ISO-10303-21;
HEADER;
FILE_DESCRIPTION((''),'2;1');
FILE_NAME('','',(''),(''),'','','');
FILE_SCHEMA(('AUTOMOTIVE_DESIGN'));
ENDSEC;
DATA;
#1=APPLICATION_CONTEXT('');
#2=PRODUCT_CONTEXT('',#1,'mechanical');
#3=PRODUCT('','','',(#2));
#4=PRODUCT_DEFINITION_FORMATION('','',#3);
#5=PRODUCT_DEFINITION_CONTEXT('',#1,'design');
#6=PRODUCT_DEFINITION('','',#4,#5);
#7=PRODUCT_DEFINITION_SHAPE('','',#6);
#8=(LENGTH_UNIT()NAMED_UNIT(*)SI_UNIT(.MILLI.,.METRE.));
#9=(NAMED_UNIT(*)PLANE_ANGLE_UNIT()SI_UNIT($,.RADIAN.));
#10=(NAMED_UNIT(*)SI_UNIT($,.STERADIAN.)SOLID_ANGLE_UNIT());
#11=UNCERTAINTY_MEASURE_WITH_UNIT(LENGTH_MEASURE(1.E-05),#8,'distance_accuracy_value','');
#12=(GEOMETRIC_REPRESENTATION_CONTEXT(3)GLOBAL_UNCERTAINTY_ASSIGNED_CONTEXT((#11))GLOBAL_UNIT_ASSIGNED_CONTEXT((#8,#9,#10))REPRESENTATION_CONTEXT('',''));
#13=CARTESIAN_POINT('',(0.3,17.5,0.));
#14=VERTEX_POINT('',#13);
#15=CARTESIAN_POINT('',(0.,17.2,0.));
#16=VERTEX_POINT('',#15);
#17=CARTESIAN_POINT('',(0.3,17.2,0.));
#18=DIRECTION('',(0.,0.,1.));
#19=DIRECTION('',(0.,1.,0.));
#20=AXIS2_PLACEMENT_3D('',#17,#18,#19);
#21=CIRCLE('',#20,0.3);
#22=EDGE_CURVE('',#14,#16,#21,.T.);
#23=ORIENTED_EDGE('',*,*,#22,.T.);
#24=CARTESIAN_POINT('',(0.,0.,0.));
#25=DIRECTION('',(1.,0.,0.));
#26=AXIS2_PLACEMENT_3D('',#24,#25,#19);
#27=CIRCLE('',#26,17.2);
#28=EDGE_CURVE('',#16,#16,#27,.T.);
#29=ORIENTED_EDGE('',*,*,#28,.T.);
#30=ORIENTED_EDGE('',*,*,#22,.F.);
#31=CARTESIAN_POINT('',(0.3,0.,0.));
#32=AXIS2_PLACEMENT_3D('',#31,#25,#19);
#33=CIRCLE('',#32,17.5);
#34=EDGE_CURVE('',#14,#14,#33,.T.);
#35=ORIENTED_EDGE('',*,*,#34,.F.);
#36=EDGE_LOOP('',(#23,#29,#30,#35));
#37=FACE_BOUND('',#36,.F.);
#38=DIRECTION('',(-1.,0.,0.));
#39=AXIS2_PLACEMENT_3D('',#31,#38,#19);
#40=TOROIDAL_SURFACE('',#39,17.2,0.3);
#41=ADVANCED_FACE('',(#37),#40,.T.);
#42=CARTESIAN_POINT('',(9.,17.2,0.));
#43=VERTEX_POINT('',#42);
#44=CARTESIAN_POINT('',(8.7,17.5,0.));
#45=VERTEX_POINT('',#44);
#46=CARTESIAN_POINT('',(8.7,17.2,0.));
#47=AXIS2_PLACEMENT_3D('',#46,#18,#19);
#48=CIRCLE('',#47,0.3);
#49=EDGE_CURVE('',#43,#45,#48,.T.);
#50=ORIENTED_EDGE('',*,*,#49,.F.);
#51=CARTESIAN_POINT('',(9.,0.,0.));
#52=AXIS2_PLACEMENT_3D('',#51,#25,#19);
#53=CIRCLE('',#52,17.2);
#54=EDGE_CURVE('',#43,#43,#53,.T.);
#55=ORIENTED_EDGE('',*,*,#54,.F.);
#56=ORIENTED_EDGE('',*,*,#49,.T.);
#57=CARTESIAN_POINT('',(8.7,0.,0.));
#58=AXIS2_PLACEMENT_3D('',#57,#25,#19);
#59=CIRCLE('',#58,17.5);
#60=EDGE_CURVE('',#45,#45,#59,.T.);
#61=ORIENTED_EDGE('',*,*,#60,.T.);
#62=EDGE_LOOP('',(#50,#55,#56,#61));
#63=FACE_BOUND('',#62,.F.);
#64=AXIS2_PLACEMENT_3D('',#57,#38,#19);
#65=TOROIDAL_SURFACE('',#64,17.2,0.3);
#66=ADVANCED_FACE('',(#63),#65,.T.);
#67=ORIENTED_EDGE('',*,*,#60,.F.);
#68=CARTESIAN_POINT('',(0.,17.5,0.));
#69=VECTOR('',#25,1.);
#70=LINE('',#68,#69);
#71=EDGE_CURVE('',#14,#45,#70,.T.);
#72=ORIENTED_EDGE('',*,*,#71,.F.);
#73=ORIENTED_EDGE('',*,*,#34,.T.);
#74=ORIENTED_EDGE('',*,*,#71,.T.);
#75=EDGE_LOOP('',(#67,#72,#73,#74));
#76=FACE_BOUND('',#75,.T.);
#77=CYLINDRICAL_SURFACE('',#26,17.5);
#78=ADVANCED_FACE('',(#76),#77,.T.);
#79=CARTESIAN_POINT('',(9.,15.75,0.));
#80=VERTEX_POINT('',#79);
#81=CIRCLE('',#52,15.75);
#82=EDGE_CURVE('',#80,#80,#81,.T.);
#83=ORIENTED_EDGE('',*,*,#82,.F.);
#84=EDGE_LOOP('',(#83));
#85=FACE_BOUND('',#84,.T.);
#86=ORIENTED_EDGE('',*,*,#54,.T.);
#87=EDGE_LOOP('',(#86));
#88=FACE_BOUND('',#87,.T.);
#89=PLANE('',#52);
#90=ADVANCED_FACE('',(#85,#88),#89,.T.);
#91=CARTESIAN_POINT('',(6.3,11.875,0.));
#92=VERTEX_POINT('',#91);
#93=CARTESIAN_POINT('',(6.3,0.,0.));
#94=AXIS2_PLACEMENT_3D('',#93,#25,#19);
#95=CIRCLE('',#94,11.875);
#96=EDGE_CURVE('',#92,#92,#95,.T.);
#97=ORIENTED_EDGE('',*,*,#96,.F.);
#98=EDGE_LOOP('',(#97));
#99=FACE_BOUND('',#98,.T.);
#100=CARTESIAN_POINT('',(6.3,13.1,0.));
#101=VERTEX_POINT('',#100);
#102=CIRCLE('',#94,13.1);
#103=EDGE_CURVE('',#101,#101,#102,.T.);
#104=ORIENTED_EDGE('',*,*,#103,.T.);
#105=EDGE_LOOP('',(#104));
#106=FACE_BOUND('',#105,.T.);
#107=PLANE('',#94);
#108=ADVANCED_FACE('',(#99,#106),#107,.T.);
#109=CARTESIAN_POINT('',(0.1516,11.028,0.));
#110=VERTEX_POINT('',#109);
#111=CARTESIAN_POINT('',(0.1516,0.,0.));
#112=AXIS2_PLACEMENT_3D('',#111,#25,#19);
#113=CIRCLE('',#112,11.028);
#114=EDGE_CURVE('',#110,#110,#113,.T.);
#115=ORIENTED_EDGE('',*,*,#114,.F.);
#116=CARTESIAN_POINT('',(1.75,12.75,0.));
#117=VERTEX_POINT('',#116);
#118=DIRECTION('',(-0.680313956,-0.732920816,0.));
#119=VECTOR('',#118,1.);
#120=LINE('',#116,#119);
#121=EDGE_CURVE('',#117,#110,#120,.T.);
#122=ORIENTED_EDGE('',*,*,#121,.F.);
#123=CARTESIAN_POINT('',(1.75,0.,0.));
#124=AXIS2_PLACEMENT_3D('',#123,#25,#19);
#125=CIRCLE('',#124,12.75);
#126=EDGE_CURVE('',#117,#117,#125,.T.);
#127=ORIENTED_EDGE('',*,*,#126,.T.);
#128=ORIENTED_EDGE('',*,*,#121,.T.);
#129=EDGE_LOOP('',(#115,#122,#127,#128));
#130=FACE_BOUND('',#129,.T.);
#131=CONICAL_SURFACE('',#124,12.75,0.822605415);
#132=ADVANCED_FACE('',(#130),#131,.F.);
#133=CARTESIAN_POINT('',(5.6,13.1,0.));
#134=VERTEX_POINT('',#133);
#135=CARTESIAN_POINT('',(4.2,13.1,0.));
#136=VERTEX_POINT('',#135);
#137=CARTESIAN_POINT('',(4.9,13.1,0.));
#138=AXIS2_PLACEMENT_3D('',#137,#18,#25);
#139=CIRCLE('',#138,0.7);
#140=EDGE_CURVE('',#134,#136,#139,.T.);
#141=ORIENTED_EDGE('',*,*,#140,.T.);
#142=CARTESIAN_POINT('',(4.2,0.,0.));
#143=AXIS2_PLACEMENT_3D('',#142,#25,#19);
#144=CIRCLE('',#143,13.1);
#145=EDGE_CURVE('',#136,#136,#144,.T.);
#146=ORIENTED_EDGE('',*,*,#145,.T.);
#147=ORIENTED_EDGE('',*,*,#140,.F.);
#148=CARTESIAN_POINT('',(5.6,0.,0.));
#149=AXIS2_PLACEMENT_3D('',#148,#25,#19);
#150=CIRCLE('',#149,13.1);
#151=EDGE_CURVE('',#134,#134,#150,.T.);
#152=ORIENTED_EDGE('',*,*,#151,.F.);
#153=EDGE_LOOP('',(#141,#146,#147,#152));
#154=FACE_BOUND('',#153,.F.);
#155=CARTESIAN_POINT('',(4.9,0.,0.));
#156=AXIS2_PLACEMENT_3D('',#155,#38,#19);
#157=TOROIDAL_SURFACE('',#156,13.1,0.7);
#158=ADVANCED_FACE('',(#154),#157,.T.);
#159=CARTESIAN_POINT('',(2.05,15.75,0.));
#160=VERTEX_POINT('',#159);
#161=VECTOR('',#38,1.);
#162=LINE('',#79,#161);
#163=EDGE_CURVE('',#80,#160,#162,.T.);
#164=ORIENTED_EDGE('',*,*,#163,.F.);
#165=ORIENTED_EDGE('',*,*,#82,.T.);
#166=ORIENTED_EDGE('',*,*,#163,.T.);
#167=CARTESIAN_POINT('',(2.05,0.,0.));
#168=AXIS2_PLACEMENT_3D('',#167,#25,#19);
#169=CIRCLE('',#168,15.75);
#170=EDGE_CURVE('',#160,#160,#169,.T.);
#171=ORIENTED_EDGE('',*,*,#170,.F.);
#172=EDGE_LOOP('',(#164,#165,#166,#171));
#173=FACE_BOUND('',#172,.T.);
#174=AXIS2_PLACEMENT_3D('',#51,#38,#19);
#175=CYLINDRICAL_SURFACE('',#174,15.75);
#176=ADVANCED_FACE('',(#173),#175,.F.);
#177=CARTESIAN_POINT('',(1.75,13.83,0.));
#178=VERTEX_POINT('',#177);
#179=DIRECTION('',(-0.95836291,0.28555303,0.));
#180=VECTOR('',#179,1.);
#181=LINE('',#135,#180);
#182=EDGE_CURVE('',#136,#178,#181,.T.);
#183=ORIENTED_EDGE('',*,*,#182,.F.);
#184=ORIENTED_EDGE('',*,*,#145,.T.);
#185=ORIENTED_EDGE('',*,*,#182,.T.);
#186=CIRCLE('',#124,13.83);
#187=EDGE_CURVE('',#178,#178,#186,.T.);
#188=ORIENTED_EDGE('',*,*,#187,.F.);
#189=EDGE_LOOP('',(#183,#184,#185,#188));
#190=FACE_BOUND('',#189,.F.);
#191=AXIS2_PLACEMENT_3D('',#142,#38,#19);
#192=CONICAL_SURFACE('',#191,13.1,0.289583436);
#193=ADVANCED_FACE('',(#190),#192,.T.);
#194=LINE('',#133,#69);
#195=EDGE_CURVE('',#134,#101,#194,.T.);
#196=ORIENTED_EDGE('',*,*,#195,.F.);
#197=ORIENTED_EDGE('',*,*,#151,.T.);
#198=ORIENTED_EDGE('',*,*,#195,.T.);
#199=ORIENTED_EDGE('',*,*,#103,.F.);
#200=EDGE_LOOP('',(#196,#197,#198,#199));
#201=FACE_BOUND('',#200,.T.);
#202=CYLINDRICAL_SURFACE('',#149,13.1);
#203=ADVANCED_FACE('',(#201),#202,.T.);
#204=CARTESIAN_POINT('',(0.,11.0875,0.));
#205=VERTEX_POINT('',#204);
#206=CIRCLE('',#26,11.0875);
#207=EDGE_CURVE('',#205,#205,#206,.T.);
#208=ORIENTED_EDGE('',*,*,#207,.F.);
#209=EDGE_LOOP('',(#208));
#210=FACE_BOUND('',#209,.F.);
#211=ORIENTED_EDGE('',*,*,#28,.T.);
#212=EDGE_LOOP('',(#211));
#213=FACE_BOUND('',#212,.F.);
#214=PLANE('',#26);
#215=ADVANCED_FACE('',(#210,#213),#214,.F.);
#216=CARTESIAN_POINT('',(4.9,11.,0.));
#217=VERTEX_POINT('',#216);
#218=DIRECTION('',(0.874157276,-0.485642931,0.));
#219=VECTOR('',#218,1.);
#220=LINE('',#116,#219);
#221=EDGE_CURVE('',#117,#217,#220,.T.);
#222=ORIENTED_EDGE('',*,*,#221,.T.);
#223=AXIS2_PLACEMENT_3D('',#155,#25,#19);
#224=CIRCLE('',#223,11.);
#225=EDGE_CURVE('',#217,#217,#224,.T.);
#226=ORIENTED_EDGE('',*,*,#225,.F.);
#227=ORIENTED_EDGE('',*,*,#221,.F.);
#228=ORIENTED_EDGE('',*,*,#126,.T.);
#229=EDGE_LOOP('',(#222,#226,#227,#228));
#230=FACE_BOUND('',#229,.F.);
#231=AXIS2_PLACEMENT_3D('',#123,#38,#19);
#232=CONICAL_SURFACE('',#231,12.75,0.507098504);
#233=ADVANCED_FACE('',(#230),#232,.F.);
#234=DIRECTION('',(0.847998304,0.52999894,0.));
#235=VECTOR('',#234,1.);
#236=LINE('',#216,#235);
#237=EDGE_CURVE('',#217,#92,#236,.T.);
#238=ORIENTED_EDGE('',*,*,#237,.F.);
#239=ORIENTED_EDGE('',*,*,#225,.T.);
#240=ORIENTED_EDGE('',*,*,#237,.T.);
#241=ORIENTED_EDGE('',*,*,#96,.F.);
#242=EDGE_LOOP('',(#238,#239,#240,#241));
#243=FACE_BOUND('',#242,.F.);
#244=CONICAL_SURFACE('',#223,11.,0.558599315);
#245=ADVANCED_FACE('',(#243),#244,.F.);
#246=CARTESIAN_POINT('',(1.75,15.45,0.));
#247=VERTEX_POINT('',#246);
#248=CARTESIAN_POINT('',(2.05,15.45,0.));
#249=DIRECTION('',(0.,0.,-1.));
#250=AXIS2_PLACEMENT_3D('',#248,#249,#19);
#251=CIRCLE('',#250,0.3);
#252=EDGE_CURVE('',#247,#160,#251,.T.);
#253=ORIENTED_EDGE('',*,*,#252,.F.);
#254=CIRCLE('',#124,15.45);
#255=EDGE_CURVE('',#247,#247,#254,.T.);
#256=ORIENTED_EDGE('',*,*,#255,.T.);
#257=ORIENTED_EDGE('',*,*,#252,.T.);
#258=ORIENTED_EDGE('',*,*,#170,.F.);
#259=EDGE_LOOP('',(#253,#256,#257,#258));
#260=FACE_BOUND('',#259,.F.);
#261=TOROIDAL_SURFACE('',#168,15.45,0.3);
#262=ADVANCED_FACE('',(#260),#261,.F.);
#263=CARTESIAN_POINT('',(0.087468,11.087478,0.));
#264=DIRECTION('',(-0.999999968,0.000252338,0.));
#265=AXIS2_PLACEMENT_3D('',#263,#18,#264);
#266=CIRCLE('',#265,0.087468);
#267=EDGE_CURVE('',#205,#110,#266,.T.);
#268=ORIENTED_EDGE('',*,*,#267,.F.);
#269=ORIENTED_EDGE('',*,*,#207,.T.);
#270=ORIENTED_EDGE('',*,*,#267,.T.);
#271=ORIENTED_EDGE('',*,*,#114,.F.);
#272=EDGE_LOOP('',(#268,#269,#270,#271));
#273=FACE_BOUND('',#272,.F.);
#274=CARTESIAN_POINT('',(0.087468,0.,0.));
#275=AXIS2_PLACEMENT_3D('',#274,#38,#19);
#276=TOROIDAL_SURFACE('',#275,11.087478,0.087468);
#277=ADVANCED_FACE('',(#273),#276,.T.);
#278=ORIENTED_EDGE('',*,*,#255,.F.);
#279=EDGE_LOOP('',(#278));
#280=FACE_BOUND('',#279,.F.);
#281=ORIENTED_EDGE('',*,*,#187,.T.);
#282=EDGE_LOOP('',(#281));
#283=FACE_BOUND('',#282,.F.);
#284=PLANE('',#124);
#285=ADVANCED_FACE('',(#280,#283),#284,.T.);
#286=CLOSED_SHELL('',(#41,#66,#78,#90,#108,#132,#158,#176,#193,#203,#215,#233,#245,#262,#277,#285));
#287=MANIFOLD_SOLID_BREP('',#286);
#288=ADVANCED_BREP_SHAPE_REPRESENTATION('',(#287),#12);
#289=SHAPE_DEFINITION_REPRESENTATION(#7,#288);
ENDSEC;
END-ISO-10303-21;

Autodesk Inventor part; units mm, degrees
ref_plane "YZ Plane" through (0, 0, 0) normal (1, 0, 0) x (0, 1, 0)
ref_plane "XZ Plane" through (0, 0, 0) normal (0, 1, 0) x (-1, 0, 0)
ref_plane "XY Plane" through (0, 0, 0) normal (0, 0, 1) x (1, 0, 0)
sketch "Sketch1" plane through (0, 0, 0) normal (0, 0, 1) x (1, 0, 0)
  circle A0 centre (4.9, 13.1) radius 0.455
  circle A1 centre (4.9, 13.1) radius 0.7
  line L0 (0, 17.5) -> (9, 17.5)
  line L1 (9, 15.75) -> (1.75, 15.75)
  line L2 (0, 0) -> (9.5856, 0)
  line L3 (1.75, 12.75) -> (4.9, 11)
  line L4 (4.9, 11) -> (6.3, 11.875)
  line L5 (4.9, 11) -> (0, 11) construction
  line L6 (0, 18) -> (0, -3) projected
  line L7 (-1.9415, 0) -> (11.5068, 0) projected
  line L8 (4.2, 13.1) -> (1.75, 13.83)
  line L9 (1.75, 13.83) -> (1.75, 15.75)
  line L10 (0, 17.5) -> (0, 11.0875)
  line L11 (4.9, 11) -> (0, 11)
  line L12 (1.75, 12.75) -> (0.1516, 11.028)
  arc A2 (0, 11.0875) -> (0.1516, 11.028) centre (0.0875, 11.0875) ccw
  line L13 (9, 17.5) -> (9, 15.75)
  line L14 (5.6, 13.1) -> (6.3, 13.1)
  line L15 (6.3, 13.1) -> (6.3, 11.875)
  point P0 (0, 10.8646)
  dimension "d0" = 35
  dimension "d1" = 1.75
  dimension "d2" = 0.91
  dimension "d3" = 1.4
  dimension "d4" = 22
  dimension "d5" = 25.5
  dimension "d7" = 27.66
  dimension "d8" = 1.75
  dimension "d9" = 4.9
  dimension "d10" = 26.2
  dimension "d11" = 0.0875
  dimension "d12" = 6.3
  dimension "d13" = 23.75
  dimension "d14" = 9
revolve "Body" add sketch "Sketch1" angle 360 about axis through (0, 0, 0) along (1, 0, 0) contours L14 L15 L4 L3 L12 A2 L6 L0 L13 L1 L9 L8 A1
revolve "Spring1" add sketch "Sketch1" angle 360 about axis through (0, 0, 0) along (1, 0, 0) contours A0 | A1
fillet "Fillet1" radius 0.3 3 edges at (9, -17.5, 0) (1.75, -15.75, 0) (0, -17.5, 0)
equation "\"d0\" = SD2"
equation "\"d1\" = SD"
equation "\"d2\" = SPDI"
equation "\"d3\" = SPDA"
equation "\"d4\" = NND"
equation "\"d5\" = TKDM"
equation "\"d7\" = TKDM + 0.24 * SWDT"
equation "\"d8\" = SD"
equation "\"d9\" = SPDST"
equation "\"d10\" = HLDM"
equation "\"d11\" = 0.25 * LAB"
equation "\"d12\" = SDI"
equation "\"d13\" = ABDM"
equation "\"d14\" = SWDT"
equation "\"d6\" = RR"
equation "\"SD2\" = 35"
equation "\"SWDT\" = 9"
equation "\"RR\" = 0.3"
equation "\"SD\" = 1.75"
equation "\"NND\" = 22"
equation "\"SPDA\" = 1.4"
equation "\"SPDI\" = 0.91"
equation "\"TKDM\" = 25.5"
equation "\"HLDM\" = 26.2"
equation "\"ABDM\" = 23.75"
equation "\"SDI\" = 6.3"
equation "\"SPDST\" = 4.9"
equation "\"LAB\" = 0.35"
properties part number "BS 1399: Part 1 - 22359" material "Rubber"
